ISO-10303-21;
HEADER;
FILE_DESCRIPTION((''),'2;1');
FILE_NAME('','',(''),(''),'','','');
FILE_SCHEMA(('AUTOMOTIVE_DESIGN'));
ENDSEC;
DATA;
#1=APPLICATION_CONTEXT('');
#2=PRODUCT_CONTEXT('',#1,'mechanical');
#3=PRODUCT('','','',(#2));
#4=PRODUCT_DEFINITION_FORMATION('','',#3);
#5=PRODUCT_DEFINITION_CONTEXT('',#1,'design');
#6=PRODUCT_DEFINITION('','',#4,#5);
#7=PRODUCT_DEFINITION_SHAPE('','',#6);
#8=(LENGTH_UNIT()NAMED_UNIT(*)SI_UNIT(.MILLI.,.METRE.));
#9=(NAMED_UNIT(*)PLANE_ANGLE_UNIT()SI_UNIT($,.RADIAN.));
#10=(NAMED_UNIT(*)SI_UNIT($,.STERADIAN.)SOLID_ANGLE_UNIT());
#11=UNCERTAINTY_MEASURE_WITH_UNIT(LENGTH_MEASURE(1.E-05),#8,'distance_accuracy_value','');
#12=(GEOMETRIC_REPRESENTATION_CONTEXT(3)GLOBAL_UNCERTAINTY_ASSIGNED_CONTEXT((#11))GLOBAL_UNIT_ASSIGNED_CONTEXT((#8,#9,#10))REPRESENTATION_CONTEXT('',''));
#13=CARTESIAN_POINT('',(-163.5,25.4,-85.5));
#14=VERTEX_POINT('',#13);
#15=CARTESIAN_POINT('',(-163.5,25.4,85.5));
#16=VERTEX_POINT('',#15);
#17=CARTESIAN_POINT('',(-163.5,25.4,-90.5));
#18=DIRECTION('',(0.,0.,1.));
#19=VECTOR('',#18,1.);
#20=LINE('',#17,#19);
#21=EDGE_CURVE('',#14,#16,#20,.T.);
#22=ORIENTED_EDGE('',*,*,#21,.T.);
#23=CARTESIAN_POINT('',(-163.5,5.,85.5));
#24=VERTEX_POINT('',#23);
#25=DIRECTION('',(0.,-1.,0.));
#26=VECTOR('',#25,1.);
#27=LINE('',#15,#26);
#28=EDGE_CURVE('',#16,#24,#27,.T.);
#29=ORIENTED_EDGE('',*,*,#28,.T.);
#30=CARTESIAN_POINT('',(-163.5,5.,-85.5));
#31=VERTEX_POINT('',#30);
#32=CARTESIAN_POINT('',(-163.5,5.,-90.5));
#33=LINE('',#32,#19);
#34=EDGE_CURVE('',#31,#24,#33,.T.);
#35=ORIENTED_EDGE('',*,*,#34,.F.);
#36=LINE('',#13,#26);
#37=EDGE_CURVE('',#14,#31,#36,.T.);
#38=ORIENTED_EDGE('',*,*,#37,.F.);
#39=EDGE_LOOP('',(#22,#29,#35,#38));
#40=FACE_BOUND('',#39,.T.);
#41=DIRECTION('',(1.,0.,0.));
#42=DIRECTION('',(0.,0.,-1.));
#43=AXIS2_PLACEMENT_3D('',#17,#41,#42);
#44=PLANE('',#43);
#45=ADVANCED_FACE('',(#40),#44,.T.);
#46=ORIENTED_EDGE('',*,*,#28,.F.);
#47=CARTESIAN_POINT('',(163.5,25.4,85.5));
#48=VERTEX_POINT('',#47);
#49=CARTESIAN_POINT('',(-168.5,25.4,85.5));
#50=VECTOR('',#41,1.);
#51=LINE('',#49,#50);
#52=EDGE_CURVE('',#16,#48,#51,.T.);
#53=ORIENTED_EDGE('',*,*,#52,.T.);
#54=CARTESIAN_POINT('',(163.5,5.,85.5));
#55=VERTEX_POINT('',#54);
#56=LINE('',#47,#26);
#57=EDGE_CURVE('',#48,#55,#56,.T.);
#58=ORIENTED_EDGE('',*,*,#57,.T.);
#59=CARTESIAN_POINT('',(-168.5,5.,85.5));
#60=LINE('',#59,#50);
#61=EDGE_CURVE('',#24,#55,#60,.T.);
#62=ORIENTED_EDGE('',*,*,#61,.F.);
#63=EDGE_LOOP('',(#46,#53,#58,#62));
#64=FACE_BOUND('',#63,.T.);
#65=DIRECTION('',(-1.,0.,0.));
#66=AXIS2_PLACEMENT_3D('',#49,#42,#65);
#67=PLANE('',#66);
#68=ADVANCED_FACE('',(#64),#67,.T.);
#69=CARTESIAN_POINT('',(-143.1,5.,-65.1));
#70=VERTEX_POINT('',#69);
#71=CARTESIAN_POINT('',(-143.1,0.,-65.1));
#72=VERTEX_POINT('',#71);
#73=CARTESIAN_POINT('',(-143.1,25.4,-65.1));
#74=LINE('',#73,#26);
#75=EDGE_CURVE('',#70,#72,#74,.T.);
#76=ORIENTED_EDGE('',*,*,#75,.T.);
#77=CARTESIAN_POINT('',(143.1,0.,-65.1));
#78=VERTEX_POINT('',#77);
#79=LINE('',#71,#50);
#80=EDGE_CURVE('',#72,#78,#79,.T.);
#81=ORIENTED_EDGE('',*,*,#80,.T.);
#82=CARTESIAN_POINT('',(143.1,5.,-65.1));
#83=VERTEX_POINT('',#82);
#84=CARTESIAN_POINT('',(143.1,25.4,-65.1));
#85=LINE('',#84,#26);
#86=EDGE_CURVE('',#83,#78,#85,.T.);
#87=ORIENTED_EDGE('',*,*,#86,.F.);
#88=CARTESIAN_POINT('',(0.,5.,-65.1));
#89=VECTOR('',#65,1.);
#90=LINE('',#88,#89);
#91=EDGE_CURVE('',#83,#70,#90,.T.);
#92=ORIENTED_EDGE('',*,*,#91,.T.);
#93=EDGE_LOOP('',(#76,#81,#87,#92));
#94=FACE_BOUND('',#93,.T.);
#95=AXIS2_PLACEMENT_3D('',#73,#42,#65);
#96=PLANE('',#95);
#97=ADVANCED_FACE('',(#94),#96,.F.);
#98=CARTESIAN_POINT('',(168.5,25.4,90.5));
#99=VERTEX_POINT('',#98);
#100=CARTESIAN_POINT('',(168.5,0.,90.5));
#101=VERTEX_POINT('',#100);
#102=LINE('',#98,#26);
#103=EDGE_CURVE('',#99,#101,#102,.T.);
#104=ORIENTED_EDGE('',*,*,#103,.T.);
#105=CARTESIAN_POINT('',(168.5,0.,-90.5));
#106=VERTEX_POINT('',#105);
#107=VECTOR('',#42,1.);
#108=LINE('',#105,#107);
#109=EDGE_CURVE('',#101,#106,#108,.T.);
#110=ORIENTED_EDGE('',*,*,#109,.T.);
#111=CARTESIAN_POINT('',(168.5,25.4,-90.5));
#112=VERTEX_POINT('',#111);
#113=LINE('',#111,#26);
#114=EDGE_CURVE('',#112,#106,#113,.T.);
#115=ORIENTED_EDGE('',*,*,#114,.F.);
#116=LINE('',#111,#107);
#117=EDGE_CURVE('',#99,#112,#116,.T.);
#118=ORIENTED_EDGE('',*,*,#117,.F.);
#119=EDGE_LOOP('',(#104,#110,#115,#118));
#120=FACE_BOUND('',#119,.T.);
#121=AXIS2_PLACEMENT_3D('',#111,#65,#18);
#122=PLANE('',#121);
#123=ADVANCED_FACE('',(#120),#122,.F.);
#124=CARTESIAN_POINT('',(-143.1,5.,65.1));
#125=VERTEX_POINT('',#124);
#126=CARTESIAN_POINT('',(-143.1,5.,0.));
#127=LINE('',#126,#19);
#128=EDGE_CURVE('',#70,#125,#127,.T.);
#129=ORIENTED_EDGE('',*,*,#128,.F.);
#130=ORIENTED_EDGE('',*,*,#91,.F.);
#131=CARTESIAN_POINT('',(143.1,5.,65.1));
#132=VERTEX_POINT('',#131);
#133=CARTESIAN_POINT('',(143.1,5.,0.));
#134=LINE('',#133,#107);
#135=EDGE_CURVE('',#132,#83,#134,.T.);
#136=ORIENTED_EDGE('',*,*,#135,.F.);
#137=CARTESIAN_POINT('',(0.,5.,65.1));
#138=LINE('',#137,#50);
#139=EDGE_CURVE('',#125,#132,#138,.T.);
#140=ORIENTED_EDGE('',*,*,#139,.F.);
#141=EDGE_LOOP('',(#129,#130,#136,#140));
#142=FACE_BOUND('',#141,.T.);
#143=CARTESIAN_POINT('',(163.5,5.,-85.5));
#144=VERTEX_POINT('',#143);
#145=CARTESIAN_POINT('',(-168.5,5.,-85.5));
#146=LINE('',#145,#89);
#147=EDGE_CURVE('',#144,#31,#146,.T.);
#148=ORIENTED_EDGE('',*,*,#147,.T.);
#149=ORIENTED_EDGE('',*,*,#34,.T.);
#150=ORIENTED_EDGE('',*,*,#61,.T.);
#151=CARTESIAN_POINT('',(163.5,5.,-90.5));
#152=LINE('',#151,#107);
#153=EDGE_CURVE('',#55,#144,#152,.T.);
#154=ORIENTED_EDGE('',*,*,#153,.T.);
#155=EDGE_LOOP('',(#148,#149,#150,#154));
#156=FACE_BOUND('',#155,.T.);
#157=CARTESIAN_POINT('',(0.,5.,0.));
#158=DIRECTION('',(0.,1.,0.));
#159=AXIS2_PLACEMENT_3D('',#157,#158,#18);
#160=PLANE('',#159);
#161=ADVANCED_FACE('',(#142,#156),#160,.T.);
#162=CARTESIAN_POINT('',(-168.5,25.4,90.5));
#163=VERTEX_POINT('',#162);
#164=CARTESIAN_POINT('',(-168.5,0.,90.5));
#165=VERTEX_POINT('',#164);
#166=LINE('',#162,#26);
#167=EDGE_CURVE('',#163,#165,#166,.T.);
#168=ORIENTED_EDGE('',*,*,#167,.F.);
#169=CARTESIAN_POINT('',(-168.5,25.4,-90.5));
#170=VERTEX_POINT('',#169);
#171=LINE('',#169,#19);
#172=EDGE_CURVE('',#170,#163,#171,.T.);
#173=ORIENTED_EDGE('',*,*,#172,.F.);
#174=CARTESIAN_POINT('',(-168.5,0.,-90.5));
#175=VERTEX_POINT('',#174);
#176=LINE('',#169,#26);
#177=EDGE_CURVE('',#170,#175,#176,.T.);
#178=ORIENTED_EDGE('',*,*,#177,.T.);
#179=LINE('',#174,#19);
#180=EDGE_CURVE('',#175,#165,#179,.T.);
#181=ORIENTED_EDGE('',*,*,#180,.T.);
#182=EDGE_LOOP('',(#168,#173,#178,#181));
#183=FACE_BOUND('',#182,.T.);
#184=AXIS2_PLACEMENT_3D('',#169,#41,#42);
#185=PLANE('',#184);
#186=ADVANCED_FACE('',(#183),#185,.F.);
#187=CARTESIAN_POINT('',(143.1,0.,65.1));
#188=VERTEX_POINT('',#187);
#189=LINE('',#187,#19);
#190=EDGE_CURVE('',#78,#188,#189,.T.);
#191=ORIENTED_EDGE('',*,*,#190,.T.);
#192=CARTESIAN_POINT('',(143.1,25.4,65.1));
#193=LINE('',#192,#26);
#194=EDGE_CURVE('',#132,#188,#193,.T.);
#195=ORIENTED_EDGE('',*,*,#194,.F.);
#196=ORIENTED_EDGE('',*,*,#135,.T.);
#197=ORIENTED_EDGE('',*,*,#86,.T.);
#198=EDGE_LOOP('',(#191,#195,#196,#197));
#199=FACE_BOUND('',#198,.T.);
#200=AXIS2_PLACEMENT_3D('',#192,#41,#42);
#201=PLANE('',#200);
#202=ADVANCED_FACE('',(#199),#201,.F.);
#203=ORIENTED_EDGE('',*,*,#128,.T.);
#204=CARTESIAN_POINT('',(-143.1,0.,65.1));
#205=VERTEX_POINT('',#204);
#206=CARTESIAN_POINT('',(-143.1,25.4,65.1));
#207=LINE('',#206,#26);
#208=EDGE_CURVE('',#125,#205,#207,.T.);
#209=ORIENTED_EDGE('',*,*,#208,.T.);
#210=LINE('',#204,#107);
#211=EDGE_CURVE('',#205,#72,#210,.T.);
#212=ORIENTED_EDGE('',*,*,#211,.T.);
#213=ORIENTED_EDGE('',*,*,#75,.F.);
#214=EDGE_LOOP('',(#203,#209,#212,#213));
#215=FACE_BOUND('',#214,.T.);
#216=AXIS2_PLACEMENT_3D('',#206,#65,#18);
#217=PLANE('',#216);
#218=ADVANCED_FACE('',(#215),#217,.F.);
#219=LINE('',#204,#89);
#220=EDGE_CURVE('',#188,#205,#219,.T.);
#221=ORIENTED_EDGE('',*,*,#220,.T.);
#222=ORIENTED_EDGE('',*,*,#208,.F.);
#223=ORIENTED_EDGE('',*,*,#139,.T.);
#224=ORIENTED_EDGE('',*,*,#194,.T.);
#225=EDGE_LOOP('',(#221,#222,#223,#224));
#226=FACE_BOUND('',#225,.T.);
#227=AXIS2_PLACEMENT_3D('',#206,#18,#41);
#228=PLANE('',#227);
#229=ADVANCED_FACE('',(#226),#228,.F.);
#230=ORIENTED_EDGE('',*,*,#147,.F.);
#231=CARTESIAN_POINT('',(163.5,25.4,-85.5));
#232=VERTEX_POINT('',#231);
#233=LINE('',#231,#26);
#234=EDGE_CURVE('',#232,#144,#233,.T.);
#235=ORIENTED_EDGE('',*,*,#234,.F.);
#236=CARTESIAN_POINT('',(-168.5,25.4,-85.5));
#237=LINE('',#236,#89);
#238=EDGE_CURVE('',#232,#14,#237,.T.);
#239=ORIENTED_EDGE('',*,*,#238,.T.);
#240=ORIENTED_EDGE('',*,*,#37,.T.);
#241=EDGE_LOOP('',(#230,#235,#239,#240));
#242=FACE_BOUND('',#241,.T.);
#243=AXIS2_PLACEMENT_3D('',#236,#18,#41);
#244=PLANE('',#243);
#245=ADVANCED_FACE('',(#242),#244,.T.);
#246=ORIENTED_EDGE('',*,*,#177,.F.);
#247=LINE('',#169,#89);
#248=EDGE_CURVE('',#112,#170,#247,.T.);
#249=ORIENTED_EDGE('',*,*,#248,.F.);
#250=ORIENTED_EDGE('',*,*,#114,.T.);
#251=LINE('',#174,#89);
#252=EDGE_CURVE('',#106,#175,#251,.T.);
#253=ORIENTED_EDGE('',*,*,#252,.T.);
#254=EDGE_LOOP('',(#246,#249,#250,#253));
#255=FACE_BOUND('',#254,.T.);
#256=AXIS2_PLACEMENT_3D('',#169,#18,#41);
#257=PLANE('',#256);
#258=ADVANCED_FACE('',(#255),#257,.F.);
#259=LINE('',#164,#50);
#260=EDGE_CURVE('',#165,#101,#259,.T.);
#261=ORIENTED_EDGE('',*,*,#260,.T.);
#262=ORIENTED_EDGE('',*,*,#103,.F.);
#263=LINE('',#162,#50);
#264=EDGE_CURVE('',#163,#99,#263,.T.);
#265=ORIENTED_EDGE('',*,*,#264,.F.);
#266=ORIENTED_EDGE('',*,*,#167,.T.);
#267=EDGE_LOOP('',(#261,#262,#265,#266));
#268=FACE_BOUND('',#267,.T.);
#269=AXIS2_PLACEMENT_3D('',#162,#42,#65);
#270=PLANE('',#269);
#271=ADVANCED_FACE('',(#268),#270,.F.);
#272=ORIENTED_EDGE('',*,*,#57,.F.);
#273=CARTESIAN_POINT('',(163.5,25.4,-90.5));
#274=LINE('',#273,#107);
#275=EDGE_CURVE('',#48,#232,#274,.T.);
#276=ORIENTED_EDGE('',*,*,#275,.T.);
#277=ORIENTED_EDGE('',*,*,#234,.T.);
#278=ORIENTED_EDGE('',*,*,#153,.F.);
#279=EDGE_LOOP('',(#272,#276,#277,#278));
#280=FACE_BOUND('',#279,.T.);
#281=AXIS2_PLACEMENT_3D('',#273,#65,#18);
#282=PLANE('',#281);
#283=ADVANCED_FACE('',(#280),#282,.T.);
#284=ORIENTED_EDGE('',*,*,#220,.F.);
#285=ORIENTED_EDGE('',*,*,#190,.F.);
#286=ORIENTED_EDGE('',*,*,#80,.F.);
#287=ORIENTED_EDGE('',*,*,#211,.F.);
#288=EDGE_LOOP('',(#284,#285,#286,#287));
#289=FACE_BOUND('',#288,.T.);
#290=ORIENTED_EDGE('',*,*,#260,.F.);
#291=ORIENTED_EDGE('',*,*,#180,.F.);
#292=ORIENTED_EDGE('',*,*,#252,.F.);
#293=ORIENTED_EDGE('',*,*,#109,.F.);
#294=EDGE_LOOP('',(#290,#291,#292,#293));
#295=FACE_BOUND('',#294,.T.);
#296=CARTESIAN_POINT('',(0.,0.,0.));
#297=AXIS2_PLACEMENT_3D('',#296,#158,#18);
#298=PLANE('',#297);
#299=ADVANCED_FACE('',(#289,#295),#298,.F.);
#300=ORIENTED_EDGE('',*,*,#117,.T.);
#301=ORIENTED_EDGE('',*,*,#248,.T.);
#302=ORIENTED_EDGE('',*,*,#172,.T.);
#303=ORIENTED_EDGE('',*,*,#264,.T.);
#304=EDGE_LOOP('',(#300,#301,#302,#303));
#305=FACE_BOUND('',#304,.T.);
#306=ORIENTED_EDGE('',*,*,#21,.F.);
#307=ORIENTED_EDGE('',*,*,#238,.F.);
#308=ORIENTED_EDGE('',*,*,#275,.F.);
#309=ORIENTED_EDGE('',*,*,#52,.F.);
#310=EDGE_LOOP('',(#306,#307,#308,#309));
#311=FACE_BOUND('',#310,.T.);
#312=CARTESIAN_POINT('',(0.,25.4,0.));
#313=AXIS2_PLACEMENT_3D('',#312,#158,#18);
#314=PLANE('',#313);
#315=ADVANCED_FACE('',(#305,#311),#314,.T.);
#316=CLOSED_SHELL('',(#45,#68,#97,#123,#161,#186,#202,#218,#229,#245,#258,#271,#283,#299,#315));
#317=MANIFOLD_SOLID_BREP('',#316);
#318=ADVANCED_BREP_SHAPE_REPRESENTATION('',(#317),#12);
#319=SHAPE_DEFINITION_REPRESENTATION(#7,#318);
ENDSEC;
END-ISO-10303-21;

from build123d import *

# Parameters (mm, degrees)
SKETCH1_W           = 337
SKETCH1_H           = 181
BOSS_EXTRUDE1_DEPTH = 25.4
SHELL1_T            = -5
SKETCH2_W           = 286.2
SKETCH2_H           = 130.2
CUT_EXTRUDE1_DEPTH  = 193.944707105


with BuildPart() as part:
    # Sketch1 → Boss-Extrude1 (new body)
    with BuildSketch(Plane(origin=(0, 0, 0), x_dir=(1, 0, 0), z_dir=(0, 1, 0))):
        Rectangle(SKETCH1_W, SKETCH1_H)
    extrude(amount=BOSS_EXTRUDE1_DEPTH)

    # Shell1
    shell1_openings = [part.faces().sort_by_distance(p)[0] for p in [
        (0, 25.4, 0),
    ]]
    offset(amount=SHELL1_T, openings=shell1_openings, kind=Kind.INTERSECTION)

    # Sketch2 → Cut-Extrude1 (cut, through all)
    with BuildSketch(Plane.XZ):
        Rectangle(SKETCH2_W, SKETCH2_H)
    extrude(amount=-CUT_EXTRUDE1_DEPTH, mode=Mode.SUBTRACT)


solid = part.part
